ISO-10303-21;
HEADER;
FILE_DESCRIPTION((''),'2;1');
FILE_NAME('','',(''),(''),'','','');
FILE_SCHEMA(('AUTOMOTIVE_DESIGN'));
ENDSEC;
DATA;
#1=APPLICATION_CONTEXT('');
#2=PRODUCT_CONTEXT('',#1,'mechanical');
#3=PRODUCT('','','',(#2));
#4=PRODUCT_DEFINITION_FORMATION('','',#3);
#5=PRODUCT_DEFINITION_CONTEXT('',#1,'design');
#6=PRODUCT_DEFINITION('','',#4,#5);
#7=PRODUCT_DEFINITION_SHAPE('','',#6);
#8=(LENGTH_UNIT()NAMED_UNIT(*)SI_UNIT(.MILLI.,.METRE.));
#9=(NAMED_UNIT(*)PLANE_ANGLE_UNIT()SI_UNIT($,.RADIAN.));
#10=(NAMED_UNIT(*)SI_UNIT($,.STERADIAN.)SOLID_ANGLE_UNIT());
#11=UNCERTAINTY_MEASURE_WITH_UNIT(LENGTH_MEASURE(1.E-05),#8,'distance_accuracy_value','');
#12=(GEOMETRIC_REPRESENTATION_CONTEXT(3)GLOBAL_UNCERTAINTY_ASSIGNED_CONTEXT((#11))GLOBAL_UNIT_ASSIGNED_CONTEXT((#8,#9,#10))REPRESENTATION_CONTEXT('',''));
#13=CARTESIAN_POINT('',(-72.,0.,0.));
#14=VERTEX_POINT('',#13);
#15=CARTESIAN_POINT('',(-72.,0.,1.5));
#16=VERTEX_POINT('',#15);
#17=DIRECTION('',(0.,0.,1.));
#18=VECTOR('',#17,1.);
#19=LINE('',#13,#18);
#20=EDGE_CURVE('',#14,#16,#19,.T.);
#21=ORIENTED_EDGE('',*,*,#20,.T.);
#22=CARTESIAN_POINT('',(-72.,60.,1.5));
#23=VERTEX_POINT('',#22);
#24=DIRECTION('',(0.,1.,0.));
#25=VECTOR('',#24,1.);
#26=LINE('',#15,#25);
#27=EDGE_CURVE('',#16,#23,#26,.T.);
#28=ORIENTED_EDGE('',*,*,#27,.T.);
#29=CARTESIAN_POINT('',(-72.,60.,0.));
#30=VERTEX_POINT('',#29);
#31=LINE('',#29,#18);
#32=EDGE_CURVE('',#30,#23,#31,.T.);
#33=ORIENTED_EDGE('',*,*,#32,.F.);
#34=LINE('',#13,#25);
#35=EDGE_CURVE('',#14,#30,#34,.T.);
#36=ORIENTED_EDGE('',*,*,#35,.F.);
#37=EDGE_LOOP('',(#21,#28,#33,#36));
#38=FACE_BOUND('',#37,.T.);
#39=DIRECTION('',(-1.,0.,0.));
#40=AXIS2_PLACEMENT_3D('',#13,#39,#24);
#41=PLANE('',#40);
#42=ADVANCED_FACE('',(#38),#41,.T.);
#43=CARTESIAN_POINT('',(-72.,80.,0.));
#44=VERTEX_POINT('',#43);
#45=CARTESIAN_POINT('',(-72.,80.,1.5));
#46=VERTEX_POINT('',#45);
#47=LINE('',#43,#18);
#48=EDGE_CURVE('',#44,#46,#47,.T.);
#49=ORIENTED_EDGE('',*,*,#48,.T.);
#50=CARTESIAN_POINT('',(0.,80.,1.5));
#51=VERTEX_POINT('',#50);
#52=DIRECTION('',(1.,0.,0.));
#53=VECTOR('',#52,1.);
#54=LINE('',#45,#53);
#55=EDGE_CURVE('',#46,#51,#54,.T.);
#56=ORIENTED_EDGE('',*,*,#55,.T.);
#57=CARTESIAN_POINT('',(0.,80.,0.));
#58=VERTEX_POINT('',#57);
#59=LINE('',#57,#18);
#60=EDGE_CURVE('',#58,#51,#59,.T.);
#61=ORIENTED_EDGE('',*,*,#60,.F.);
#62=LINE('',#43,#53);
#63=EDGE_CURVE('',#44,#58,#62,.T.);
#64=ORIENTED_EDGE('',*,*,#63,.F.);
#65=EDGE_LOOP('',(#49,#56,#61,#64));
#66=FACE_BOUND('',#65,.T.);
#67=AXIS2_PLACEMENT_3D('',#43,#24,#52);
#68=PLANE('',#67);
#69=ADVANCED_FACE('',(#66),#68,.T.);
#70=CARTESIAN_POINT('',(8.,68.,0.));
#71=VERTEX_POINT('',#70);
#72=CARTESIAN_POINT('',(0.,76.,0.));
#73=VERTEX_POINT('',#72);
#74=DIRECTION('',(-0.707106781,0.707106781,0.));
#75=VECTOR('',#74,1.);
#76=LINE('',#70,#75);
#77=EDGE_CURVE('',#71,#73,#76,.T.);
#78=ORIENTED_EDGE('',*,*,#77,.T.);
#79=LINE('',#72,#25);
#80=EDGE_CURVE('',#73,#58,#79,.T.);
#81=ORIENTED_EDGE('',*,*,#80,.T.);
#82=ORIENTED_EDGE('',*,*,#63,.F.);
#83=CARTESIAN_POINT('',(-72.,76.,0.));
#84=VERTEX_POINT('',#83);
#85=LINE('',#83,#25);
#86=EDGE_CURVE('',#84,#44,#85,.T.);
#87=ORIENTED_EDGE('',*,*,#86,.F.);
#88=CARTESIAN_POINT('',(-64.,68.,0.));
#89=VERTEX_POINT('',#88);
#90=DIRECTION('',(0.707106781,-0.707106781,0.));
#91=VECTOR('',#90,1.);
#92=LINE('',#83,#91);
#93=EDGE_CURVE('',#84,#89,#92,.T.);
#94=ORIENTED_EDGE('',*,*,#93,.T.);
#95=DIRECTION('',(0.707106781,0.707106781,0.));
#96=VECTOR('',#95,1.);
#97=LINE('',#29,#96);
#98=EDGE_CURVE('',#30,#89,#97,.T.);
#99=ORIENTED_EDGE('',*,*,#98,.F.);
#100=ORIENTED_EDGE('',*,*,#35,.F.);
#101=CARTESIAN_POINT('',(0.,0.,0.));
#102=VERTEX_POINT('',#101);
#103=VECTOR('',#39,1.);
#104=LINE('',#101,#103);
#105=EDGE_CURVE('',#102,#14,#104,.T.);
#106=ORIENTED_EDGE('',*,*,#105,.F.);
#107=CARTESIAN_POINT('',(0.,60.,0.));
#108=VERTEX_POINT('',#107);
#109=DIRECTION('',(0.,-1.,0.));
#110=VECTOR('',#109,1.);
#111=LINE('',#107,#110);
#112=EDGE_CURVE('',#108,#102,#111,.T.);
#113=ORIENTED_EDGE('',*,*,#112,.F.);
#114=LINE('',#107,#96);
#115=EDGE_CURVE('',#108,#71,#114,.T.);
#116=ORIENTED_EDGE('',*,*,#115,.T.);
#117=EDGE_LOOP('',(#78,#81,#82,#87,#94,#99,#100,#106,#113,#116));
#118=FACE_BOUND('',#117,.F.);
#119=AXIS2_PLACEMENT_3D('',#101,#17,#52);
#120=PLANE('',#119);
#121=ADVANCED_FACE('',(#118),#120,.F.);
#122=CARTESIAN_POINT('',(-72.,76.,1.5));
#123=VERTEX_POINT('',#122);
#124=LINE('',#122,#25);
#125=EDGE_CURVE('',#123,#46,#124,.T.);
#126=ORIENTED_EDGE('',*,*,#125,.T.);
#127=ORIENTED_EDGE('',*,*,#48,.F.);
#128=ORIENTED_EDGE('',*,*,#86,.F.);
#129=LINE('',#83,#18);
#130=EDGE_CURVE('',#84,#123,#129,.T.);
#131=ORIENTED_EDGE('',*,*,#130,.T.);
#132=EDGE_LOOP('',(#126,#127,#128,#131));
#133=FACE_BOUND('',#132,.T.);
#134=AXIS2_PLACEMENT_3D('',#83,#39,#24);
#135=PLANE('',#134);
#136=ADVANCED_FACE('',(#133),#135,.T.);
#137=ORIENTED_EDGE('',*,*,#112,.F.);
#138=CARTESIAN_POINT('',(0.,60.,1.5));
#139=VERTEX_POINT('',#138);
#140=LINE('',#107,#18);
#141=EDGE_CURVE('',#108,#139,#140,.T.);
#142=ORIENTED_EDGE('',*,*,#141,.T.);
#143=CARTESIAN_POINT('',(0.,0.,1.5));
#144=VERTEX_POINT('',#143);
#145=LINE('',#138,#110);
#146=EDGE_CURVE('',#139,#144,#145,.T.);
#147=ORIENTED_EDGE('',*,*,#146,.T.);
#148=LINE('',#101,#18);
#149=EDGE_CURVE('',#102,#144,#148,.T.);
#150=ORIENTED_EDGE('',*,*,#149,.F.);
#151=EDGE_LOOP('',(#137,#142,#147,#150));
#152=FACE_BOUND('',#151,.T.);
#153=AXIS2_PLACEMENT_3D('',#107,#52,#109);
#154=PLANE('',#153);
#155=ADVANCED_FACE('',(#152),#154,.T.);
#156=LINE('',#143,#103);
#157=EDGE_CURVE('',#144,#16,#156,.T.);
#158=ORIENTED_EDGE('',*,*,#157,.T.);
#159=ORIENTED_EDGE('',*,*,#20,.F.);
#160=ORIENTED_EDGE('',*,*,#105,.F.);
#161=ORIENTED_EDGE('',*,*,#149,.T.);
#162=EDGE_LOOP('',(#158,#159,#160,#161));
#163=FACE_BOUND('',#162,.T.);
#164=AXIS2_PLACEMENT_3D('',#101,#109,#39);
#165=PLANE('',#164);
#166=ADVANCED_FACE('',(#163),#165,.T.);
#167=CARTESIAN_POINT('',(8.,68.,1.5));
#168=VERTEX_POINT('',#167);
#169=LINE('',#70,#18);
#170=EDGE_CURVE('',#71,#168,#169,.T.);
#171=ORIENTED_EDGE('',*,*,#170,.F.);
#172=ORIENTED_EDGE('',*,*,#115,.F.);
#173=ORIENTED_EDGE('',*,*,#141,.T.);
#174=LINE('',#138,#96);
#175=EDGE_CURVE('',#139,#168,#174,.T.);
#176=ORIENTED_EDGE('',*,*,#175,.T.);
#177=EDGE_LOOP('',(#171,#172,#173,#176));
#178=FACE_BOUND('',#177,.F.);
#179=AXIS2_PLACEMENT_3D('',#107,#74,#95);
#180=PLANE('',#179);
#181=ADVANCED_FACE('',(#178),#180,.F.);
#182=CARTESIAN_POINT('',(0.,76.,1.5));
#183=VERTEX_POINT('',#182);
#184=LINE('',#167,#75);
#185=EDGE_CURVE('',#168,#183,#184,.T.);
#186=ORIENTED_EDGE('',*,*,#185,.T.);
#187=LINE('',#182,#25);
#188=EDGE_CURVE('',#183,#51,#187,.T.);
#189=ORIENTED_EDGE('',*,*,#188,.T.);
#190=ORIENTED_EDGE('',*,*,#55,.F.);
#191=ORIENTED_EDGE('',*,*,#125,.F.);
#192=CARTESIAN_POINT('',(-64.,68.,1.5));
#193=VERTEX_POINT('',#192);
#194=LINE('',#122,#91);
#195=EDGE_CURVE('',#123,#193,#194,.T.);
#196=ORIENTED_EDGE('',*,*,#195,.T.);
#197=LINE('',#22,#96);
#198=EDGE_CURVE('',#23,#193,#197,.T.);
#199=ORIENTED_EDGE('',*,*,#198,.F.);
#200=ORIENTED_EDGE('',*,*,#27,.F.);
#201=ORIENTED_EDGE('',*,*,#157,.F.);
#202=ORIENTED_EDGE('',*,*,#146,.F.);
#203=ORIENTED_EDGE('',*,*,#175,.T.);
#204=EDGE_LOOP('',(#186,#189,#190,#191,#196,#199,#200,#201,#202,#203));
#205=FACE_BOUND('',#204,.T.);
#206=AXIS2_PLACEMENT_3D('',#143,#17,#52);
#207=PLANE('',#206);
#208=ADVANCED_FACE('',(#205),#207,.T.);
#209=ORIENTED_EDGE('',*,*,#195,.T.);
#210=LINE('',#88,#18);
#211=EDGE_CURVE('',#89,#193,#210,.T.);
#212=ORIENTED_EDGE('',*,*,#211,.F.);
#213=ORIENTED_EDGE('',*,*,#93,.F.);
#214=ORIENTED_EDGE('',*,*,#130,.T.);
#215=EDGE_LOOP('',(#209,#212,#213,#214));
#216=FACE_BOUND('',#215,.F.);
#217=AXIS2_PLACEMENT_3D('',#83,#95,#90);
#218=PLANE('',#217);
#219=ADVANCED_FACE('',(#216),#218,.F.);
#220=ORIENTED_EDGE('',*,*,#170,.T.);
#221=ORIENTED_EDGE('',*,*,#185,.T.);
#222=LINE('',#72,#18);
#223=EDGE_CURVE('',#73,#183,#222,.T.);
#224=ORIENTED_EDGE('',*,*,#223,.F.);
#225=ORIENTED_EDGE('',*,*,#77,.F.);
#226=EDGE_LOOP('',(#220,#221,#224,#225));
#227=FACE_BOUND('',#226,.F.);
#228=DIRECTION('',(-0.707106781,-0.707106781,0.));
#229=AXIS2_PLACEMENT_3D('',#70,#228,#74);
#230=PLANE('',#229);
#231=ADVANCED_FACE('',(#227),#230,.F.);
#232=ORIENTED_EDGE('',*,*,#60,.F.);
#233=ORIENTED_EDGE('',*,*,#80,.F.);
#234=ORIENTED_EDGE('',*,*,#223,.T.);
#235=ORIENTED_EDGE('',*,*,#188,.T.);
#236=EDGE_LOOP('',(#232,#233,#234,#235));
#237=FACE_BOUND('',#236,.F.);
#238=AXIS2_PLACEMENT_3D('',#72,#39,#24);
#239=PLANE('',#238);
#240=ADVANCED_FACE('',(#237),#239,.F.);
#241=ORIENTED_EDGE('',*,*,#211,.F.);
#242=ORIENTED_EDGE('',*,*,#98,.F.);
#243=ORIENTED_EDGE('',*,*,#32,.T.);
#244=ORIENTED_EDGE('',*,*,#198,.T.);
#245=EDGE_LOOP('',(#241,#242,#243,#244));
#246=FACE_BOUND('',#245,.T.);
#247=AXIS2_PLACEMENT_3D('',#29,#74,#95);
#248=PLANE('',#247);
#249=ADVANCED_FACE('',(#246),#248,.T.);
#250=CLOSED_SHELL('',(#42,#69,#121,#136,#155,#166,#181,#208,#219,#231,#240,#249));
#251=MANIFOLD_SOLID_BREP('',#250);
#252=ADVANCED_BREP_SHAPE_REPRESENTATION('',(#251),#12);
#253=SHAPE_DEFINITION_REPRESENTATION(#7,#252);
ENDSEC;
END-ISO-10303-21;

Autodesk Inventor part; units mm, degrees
ref_plane "YZ Plane" through (0, 0, 0) normal (1, 0, 0) x (0, 1, 0)
ref_plane "XZ Plane" through (0, 0, 0) normal (0, 1, 0) x (-1, 0, 0)
ref_plane "XY Plane" through (0, 0, 0) normal (0, 0, 1) x (1, 0, 0)
sketch "Sketch1" plane through (0, 0, 0) normal (0, 0, 1) x (1, 0, 0)
  line L0 (0, 0) -> (-72, 0)
  circle A0 centre (-72, 68) radius 8 construction
  line L1 (-72, 60) -> (0, 60) construction
  line L2 (-72, 76) -> (-64, 68)
  line L3 (-72, 60) -> (-64, 68)
  line L4 (0, 60) -> (0, 0)
  line L5 (-72, 0) -> (-72, 60)
  line L6 (-72, 76) -> (-72, 80)
  line L7 (0, 76) -> (0, 80)
  line L8 (-72, 80) -> (0, 80)
  line L9 (-72, 76) -> (11.0791, 76) construction
  line L10 (-64, 68) -> (11.3495, 68) construction
  line L11 (-72, 60) -> (22.6598, 60) construction
  circle A1 centre (0, 68) radius 8 construction
  line L12 (0, 60) -> (8, 68)
  line L13 (8, 68) -> (0, 76)
  point P0 (0, 0)
  point P1 (0, 78)
  point P2 (-72, 78)
  dimension "d0" = 80
  dimension "d2" = 60
  dimension "d3" = 0
  dimension "d4" = 0
  dimension "d5" = 72
extrude "Extrusion1" add sketch "Sketch1" along normal blind 1.5
properties part number "MS_RI_back_v3"
